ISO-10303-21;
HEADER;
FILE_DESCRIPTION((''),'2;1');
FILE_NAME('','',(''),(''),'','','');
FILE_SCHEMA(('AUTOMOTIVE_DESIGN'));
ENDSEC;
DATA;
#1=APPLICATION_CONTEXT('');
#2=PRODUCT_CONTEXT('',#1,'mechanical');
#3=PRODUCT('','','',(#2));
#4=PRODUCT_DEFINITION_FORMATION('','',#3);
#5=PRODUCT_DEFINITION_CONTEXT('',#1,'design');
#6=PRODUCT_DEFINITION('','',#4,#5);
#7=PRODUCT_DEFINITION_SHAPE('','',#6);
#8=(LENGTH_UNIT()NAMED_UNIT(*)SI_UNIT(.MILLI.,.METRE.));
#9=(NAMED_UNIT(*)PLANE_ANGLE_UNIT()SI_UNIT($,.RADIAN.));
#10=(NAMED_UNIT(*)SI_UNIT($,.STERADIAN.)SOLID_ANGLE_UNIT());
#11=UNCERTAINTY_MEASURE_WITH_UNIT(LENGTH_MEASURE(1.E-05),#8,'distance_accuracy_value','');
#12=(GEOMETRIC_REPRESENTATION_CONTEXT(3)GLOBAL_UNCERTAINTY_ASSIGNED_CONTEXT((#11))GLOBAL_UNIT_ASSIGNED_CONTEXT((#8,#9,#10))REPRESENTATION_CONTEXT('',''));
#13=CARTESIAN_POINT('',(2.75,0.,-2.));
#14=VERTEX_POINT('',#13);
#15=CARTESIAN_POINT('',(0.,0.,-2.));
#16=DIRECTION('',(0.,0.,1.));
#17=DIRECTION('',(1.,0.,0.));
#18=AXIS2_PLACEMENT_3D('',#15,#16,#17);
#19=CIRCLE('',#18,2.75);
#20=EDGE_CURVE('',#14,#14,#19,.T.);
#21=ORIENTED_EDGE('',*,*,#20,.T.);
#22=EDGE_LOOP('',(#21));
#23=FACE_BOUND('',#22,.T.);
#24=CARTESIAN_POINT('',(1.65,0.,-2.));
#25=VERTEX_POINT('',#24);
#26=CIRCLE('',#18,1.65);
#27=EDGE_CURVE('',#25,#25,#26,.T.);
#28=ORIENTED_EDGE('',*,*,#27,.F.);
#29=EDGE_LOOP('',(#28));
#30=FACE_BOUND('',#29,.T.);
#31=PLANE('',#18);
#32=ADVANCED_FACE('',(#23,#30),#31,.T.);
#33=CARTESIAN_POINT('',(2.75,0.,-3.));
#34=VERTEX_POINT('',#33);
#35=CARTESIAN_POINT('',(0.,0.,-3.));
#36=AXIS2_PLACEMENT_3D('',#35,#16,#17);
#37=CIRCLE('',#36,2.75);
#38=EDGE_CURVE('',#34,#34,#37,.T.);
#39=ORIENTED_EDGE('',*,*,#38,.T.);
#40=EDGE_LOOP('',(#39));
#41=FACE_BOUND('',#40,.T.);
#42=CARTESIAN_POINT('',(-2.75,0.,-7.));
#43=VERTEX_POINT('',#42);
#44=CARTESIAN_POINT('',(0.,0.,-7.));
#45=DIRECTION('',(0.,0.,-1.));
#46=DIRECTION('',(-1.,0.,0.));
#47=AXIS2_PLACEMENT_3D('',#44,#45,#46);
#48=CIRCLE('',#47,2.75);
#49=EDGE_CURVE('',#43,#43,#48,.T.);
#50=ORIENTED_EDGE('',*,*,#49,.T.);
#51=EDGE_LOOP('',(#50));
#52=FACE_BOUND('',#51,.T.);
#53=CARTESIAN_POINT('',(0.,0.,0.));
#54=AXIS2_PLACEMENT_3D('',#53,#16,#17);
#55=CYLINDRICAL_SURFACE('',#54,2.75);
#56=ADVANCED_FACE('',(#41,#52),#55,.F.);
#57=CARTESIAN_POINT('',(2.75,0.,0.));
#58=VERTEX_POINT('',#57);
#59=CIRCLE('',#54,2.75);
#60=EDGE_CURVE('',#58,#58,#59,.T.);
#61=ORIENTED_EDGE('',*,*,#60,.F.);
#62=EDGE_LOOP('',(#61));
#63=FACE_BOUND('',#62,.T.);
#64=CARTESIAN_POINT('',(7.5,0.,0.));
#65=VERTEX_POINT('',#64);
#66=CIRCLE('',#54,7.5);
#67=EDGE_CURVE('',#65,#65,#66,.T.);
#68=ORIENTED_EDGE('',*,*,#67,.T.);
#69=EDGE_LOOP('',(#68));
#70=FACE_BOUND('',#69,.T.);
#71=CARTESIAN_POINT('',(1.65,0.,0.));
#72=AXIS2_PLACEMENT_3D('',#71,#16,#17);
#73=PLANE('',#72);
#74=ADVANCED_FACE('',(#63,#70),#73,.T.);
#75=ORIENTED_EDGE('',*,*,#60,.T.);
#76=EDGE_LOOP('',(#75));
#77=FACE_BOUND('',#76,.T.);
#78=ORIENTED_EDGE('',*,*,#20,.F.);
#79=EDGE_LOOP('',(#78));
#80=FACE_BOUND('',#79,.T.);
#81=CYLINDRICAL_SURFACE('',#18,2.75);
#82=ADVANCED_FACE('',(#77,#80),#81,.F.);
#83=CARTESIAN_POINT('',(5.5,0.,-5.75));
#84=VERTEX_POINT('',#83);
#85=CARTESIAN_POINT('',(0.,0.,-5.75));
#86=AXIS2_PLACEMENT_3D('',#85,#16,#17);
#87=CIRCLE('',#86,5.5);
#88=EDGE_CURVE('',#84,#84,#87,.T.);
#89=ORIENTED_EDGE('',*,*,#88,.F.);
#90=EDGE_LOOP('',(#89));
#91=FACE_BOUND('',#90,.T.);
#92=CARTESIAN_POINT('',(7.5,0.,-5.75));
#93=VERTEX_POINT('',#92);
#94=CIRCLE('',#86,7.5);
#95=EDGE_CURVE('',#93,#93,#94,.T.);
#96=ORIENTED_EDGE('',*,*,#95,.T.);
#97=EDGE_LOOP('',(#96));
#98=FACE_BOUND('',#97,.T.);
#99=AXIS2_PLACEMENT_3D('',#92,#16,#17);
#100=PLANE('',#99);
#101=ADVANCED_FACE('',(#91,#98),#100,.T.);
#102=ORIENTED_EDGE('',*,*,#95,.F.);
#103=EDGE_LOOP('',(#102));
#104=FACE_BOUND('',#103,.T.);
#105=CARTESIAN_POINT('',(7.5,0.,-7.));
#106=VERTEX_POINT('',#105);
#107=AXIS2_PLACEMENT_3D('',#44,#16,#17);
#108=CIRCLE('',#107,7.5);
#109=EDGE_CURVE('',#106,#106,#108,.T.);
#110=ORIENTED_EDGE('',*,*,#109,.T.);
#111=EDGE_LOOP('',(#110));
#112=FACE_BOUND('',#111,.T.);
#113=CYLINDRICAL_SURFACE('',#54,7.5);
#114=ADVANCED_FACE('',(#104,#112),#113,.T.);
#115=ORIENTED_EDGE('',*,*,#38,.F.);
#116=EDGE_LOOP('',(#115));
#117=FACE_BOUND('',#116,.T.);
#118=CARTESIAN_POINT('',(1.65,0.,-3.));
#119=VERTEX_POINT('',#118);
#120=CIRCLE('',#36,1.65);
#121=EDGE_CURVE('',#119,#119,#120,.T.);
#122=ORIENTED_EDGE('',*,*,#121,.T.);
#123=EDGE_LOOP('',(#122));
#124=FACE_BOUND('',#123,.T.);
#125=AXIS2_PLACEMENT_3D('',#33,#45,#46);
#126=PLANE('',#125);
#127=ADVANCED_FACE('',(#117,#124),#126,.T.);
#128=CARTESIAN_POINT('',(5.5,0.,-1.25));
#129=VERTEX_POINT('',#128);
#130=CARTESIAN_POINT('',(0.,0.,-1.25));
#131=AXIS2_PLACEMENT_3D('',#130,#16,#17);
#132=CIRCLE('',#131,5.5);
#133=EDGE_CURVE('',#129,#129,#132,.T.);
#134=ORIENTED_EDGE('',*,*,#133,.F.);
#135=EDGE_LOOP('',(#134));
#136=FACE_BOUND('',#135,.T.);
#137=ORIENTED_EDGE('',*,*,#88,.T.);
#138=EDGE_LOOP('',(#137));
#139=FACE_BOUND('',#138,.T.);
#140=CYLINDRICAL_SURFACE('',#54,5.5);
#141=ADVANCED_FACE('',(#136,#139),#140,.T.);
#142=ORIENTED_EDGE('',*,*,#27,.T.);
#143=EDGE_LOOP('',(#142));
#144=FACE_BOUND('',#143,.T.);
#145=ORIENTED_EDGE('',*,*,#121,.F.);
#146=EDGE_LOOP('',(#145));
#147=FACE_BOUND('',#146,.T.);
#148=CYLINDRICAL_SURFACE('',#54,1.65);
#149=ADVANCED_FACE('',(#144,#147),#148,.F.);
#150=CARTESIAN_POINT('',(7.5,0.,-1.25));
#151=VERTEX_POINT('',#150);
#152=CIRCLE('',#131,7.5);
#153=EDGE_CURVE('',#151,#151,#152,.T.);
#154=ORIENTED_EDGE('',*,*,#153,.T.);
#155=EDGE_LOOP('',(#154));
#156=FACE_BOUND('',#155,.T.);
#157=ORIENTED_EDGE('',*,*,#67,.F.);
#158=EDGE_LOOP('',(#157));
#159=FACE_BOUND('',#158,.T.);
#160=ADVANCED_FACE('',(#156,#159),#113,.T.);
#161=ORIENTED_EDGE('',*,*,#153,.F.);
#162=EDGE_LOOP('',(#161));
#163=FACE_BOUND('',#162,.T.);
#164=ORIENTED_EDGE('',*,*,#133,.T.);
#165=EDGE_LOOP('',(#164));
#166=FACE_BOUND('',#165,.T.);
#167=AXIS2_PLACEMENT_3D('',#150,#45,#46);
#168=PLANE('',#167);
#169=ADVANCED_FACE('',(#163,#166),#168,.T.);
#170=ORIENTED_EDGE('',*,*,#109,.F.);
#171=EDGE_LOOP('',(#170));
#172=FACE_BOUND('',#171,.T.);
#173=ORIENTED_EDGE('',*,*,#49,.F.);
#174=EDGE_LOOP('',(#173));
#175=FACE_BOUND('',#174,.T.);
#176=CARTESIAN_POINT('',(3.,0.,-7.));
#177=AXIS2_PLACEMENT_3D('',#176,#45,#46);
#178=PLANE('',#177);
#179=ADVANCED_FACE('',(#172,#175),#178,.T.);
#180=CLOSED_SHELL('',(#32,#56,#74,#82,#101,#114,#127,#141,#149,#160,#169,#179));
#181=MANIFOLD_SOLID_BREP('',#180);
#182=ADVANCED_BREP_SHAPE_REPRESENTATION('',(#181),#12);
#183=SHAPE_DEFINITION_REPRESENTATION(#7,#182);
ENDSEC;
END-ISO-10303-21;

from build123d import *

# Parameters (mm, degrees)
SKETCH2_R          = 3
CUT_EXTRUDE1_DEPTH = 2
SKETCH3_R          = 2.75
CUT_EXTRUDE2_DEPTH = 2


with BuildPart() as part:
    # Sketch1 → Revolve1 (revolve)
    with BuildSketch(Plane(origin=(0, 0, 0), x_dir=(1, 0, 0), z_dir=(0, 1, 0))):
        Polygon((1.65, 0), (7.5, 0), (7.5, 1.25), (5.5, 1.25), (5.5, 5.75), (7.5, 5.75), (7.5, 7), (3, 7), (3, 9), (2.75, 9), (2.75, 3), (1.65, 3), align=None)
    revolve(axis=Axis((0, 0, 0), (0, 0, -1)))

    # Sketch2 → Cut-Extrude1 (cut)
    with BuildSketch(Plane(origin=(0, 0, -9), x_dir=(-1, 0, 0), z_dir=(0, 0, -1))):
        Circle(SKETCH2_R)
    extrude(amount=-CUT_EXTRUDE1_DEPTH, mode=Mode.SUBTRACT)

    # Sketch3 → Cut-Extrude2 (cut)
    with BuildSketch(Plane.XY):
        Circle(SKETCH3_R)
    extrude(amount=-CUT_EXTRUDE2_DEPTH, mode=Mode.SUBTRACT)


solid = part.part
